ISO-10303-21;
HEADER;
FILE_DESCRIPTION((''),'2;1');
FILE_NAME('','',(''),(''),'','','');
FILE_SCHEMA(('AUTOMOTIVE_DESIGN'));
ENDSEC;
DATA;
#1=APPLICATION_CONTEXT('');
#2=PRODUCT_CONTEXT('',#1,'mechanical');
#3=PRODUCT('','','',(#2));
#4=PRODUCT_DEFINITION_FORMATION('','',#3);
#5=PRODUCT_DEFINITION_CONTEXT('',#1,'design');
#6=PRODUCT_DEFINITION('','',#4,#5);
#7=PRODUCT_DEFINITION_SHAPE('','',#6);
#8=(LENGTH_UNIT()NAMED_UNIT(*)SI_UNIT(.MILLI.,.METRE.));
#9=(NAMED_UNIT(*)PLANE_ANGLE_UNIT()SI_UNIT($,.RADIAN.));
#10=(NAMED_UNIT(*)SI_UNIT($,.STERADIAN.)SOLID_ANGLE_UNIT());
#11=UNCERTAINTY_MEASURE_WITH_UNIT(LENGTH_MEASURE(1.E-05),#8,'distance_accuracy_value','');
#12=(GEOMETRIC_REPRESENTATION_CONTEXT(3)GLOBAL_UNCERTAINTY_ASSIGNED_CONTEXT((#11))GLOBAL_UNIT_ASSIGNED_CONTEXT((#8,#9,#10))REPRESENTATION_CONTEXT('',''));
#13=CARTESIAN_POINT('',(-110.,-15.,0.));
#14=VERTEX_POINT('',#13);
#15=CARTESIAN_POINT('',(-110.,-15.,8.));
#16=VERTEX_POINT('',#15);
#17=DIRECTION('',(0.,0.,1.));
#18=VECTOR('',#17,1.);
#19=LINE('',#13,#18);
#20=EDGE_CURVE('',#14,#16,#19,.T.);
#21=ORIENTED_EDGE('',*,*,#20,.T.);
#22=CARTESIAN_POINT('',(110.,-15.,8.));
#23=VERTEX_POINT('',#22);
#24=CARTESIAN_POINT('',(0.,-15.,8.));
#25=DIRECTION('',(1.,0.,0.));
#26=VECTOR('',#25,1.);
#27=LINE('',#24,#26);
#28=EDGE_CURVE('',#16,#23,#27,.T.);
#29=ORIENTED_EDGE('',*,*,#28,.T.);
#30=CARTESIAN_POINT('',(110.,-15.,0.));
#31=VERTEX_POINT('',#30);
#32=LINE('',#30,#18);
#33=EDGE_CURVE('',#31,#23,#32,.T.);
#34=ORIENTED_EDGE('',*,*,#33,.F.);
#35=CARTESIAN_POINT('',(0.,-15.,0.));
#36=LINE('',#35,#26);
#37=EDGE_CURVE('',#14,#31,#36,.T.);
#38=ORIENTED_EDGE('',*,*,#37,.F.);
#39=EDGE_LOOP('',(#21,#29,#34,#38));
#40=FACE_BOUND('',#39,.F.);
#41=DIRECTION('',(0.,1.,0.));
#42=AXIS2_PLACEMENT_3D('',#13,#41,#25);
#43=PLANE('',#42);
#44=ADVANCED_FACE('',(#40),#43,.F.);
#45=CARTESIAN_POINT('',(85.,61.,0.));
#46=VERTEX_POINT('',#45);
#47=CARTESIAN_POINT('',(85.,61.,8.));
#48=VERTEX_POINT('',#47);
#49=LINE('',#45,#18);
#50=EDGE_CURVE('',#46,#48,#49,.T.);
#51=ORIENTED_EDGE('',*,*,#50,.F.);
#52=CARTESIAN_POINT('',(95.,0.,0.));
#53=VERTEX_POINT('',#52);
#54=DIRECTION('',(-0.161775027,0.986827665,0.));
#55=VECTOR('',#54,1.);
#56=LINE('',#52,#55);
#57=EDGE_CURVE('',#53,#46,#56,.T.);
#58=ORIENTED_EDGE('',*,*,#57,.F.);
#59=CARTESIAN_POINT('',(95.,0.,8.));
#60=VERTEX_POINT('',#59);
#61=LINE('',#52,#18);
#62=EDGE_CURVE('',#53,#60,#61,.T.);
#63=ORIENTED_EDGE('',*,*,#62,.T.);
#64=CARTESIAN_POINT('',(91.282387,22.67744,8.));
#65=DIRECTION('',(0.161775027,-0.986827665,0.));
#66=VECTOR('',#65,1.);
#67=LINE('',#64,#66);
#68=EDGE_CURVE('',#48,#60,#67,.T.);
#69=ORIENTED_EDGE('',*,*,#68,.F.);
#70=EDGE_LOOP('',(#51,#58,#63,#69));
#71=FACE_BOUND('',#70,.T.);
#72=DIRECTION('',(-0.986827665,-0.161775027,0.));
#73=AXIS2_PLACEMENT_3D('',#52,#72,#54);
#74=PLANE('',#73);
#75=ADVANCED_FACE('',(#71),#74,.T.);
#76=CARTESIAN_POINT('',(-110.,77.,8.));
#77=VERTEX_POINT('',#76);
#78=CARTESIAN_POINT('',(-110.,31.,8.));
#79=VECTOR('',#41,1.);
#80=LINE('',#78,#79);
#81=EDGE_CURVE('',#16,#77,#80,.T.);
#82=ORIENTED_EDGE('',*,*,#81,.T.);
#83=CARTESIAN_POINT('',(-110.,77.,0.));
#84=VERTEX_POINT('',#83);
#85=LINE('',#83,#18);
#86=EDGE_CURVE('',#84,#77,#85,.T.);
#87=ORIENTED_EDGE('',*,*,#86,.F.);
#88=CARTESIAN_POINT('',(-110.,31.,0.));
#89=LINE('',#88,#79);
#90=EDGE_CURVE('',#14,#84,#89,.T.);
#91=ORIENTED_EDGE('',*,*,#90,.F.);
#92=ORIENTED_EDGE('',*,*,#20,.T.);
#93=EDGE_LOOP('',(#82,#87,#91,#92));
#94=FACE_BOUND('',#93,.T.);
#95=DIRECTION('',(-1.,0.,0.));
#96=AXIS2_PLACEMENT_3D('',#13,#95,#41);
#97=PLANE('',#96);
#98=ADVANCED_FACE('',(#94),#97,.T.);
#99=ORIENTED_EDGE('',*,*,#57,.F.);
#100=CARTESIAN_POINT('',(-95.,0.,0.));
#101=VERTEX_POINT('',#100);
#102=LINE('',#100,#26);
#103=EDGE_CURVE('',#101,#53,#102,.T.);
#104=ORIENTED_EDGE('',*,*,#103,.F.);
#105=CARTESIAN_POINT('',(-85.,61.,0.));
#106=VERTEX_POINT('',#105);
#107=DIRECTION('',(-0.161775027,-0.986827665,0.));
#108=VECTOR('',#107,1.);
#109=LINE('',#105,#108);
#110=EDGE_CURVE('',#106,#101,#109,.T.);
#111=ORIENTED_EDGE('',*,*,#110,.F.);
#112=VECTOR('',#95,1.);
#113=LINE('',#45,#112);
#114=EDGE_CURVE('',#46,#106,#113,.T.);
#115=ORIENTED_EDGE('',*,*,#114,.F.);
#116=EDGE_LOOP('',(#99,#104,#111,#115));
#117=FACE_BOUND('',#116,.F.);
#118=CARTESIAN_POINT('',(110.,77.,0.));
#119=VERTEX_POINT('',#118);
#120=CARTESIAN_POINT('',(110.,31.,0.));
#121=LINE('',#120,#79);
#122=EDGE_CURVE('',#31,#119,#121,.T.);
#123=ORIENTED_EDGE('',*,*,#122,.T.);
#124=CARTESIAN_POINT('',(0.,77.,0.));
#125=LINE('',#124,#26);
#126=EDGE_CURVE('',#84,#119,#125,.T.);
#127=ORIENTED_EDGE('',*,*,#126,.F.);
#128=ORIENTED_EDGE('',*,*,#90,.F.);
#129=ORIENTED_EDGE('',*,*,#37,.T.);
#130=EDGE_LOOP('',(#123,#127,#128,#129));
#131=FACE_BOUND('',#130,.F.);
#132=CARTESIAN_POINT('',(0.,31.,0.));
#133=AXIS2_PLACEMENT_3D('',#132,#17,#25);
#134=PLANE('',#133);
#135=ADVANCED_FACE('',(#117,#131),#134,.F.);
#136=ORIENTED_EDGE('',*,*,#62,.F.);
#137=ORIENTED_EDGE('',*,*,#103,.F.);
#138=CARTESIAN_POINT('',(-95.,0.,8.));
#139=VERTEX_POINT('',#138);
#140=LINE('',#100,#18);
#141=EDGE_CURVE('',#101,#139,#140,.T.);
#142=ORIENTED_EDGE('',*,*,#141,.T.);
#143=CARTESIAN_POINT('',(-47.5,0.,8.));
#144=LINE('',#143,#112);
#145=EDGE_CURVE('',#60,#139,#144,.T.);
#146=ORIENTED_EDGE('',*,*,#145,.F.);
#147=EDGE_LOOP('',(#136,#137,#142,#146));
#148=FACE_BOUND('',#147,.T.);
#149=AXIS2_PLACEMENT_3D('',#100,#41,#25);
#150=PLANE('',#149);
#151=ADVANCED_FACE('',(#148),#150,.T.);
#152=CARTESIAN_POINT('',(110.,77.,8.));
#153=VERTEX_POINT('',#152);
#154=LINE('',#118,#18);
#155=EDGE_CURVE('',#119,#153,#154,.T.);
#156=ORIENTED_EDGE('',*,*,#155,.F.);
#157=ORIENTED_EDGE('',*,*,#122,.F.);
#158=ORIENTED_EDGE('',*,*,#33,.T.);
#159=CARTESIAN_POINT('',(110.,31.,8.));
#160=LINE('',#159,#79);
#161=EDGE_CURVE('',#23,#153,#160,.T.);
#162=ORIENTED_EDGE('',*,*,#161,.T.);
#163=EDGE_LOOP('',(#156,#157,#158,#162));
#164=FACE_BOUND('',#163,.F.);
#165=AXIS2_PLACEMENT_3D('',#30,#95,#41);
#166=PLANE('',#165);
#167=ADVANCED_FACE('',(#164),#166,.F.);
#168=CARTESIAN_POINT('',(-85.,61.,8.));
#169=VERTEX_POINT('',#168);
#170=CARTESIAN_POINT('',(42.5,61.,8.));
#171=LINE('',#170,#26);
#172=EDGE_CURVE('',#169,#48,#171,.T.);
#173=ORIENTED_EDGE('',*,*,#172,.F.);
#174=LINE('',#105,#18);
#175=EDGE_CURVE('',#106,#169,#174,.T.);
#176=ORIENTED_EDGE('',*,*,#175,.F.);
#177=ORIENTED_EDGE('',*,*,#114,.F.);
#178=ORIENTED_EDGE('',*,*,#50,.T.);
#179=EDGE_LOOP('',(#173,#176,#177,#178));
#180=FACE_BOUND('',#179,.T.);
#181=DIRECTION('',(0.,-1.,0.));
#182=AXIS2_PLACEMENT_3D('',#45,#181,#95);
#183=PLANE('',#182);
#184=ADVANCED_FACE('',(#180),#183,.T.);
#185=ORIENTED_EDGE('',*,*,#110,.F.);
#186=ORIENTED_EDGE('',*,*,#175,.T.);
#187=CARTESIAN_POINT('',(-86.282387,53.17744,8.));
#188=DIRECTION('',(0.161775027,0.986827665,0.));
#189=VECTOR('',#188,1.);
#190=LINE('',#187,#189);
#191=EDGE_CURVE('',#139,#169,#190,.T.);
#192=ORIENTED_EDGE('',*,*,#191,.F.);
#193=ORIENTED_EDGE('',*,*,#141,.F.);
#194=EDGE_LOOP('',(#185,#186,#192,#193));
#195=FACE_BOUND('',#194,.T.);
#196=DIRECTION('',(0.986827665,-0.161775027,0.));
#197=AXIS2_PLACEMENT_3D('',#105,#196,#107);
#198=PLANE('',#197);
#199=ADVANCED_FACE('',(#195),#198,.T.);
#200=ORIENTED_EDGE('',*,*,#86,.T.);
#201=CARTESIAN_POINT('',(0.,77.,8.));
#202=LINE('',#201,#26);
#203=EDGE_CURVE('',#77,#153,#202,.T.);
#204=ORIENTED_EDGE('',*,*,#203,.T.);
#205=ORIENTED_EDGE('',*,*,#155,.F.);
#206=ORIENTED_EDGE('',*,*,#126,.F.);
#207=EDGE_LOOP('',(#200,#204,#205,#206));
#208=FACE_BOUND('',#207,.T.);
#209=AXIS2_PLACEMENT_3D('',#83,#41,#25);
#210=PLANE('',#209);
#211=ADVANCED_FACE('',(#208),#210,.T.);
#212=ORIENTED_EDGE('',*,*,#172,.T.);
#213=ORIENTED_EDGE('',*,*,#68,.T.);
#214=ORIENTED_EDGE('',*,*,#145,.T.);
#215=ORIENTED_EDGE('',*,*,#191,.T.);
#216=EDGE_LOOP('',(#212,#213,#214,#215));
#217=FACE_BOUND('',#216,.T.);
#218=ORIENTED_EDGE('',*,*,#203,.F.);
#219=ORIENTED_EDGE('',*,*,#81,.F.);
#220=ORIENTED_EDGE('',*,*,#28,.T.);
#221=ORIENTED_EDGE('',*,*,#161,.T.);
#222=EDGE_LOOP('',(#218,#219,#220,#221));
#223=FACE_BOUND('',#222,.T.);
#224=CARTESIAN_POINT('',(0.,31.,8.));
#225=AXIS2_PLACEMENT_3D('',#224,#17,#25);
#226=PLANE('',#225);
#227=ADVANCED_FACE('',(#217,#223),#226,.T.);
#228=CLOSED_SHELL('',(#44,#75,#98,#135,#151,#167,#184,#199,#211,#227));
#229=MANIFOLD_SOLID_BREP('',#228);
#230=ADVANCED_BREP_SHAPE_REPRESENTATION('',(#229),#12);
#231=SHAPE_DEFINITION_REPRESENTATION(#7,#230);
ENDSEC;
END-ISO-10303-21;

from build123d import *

# Parameters (mm, degrees)
EXTRUDE_DEPTH = 10
BOX_W         = 220
BOX_H         = 92
BOX_DEPTH     = 8


with BuildPart() as extrude_body:
    # Sketch001 → Extrude (new body)
    with BuildSketch(Plane.XY):
        Polygon((-95, 0), (95, 0), (85, 61), (-85, 61), align=None)
    extrude(amount=EXTRUDE_DEPTH)


with BuildPart() as molde_cortador:
    # Box → Box (new body)
    with BuildSketch(Plane(origin=(-110, -15, 0), x_dir=(1, 0, 0), z_dir=(0, 0, 1))):
        with Locations((110, 46)):
            Rectangle(BOX_W, BOX_H)
    extrude(amount=BOX_DEPTH)

    # Cut: cut Extrude body
    add(extrude_body.part, mode=Mode.SUBTRACT)


solid = molde_cortador.part
